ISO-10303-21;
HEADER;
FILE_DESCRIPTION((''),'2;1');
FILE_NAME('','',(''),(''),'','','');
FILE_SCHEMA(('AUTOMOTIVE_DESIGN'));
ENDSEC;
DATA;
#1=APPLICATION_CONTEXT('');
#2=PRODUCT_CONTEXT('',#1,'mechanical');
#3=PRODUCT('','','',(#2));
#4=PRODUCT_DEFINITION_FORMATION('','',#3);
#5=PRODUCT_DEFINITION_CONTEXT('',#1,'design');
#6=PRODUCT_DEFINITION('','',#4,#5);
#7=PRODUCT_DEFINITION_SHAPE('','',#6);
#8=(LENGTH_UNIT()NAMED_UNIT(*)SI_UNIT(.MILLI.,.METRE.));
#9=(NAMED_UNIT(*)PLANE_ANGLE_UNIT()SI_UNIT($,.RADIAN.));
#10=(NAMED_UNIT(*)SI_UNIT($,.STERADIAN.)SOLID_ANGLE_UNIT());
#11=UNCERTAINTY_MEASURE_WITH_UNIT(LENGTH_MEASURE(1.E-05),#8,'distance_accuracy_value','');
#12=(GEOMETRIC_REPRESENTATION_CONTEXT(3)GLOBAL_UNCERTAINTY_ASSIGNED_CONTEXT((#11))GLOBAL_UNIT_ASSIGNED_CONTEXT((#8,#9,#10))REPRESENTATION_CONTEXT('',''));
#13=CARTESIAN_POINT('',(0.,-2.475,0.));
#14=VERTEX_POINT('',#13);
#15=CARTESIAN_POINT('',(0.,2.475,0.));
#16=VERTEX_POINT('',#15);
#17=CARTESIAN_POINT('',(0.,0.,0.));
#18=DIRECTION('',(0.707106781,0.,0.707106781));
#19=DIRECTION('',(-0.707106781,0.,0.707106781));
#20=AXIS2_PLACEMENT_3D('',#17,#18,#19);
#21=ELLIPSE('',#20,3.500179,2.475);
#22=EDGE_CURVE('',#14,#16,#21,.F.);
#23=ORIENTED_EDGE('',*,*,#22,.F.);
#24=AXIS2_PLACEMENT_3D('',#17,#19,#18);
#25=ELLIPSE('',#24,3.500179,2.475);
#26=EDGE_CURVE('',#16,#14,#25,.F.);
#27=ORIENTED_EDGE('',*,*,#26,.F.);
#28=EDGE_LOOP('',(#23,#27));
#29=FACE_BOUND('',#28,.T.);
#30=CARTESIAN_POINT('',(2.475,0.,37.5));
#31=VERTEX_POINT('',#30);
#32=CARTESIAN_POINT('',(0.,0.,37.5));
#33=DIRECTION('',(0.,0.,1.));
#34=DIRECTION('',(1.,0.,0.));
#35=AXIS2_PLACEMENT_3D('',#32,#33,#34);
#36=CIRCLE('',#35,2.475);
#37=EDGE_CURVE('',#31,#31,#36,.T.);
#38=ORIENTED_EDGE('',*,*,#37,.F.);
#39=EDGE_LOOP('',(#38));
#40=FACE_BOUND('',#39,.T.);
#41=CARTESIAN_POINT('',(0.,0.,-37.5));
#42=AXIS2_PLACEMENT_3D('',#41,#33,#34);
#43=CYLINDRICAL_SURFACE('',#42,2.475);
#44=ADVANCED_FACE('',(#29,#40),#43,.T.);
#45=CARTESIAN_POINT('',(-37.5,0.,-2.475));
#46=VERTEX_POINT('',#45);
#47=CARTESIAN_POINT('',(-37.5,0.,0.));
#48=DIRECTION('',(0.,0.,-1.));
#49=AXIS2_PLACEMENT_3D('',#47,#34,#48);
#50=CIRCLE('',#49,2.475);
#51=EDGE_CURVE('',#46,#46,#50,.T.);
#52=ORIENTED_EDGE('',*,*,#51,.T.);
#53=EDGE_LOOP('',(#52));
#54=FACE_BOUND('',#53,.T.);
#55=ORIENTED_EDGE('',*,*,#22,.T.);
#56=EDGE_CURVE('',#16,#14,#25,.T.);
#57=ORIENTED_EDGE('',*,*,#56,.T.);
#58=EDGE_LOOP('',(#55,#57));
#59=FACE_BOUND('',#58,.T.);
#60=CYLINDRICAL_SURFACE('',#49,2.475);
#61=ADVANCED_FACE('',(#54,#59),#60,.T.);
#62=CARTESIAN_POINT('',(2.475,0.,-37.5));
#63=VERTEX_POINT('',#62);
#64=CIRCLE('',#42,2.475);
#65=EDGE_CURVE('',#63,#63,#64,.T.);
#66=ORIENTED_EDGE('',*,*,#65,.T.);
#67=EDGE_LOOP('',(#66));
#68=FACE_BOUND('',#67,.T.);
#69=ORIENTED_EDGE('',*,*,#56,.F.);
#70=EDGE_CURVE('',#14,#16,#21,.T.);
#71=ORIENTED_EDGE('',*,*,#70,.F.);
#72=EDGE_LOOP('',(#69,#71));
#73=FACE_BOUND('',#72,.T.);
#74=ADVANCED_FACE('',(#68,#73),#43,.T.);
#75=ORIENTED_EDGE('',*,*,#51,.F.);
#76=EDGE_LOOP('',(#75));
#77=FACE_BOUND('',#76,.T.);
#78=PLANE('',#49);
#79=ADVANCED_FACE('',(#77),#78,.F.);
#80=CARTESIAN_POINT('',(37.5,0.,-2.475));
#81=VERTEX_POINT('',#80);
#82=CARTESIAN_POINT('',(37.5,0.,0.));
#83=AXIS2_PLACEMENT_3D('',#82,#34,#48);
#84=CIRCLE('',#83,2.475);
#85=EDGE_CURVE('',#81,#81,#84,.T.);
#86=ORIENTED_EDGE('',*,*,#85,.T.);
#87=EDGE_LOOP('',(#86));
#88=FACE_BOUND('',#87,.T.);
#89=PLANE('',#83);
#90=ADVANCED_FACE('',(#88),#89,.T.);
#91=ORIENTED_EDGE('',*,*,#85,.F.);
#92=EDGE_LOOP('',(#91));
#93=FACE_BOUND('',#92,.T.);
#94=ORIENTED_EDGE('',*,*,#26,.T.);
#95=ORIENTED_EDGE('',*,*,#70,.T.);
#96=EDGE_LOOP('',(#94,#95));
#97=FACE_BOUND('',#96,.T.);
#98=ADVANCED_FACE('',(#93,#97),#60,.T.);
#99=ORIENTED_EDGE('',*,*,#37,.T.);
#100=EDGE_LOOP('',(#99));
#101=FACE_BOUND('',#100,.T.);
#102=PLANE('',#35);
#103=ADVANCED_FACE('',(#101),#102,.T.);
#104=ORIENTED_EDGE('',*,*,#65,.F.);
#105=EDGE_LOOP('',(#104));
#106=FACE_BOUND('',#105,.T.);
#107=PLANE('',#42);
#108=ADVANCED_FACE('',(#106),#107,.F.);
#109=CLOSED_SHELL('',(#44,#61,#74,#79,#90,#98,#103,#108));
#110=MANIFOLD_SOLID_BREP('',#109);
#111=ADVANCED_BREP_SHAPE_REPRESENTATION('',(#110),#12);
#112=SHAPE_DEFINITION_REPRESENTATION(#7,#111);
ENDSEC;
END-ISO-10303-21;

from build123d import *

# Parameters (mm, degrees)
SKETCH2_R           = 2.475
BOSS_EXTRUDE1_DEPTH = 37.5
CIRPATTERN1_COUNT   = 2
CIRPATTERN1_ANGLE   = 90


with BuildPart() as part:
    # Sketch2 → Boss-Extrude1 (new, symmetric)
    with BuildSketch(Plane.XY):
        Circle(SKETCH2_R)
    boss_extrude1 = extrude(amount=BOSS_EXTRUDE1_DEPTH, both=True)

    # CirPattern1: Boss-Extrude1 ×2 about axis
    cirpattern1_axis = Axis((0, -2.7225, 0), (0, 1, 0))
    for i in range(1, CIRPATTERN1_COUNT):
        add(boss_extrude1.rotate(cirpattern1_axis, i * CIRPATTERN1_ANGLE / (CIRPATTERN1_COUNT - 1)))


solid = part.part
